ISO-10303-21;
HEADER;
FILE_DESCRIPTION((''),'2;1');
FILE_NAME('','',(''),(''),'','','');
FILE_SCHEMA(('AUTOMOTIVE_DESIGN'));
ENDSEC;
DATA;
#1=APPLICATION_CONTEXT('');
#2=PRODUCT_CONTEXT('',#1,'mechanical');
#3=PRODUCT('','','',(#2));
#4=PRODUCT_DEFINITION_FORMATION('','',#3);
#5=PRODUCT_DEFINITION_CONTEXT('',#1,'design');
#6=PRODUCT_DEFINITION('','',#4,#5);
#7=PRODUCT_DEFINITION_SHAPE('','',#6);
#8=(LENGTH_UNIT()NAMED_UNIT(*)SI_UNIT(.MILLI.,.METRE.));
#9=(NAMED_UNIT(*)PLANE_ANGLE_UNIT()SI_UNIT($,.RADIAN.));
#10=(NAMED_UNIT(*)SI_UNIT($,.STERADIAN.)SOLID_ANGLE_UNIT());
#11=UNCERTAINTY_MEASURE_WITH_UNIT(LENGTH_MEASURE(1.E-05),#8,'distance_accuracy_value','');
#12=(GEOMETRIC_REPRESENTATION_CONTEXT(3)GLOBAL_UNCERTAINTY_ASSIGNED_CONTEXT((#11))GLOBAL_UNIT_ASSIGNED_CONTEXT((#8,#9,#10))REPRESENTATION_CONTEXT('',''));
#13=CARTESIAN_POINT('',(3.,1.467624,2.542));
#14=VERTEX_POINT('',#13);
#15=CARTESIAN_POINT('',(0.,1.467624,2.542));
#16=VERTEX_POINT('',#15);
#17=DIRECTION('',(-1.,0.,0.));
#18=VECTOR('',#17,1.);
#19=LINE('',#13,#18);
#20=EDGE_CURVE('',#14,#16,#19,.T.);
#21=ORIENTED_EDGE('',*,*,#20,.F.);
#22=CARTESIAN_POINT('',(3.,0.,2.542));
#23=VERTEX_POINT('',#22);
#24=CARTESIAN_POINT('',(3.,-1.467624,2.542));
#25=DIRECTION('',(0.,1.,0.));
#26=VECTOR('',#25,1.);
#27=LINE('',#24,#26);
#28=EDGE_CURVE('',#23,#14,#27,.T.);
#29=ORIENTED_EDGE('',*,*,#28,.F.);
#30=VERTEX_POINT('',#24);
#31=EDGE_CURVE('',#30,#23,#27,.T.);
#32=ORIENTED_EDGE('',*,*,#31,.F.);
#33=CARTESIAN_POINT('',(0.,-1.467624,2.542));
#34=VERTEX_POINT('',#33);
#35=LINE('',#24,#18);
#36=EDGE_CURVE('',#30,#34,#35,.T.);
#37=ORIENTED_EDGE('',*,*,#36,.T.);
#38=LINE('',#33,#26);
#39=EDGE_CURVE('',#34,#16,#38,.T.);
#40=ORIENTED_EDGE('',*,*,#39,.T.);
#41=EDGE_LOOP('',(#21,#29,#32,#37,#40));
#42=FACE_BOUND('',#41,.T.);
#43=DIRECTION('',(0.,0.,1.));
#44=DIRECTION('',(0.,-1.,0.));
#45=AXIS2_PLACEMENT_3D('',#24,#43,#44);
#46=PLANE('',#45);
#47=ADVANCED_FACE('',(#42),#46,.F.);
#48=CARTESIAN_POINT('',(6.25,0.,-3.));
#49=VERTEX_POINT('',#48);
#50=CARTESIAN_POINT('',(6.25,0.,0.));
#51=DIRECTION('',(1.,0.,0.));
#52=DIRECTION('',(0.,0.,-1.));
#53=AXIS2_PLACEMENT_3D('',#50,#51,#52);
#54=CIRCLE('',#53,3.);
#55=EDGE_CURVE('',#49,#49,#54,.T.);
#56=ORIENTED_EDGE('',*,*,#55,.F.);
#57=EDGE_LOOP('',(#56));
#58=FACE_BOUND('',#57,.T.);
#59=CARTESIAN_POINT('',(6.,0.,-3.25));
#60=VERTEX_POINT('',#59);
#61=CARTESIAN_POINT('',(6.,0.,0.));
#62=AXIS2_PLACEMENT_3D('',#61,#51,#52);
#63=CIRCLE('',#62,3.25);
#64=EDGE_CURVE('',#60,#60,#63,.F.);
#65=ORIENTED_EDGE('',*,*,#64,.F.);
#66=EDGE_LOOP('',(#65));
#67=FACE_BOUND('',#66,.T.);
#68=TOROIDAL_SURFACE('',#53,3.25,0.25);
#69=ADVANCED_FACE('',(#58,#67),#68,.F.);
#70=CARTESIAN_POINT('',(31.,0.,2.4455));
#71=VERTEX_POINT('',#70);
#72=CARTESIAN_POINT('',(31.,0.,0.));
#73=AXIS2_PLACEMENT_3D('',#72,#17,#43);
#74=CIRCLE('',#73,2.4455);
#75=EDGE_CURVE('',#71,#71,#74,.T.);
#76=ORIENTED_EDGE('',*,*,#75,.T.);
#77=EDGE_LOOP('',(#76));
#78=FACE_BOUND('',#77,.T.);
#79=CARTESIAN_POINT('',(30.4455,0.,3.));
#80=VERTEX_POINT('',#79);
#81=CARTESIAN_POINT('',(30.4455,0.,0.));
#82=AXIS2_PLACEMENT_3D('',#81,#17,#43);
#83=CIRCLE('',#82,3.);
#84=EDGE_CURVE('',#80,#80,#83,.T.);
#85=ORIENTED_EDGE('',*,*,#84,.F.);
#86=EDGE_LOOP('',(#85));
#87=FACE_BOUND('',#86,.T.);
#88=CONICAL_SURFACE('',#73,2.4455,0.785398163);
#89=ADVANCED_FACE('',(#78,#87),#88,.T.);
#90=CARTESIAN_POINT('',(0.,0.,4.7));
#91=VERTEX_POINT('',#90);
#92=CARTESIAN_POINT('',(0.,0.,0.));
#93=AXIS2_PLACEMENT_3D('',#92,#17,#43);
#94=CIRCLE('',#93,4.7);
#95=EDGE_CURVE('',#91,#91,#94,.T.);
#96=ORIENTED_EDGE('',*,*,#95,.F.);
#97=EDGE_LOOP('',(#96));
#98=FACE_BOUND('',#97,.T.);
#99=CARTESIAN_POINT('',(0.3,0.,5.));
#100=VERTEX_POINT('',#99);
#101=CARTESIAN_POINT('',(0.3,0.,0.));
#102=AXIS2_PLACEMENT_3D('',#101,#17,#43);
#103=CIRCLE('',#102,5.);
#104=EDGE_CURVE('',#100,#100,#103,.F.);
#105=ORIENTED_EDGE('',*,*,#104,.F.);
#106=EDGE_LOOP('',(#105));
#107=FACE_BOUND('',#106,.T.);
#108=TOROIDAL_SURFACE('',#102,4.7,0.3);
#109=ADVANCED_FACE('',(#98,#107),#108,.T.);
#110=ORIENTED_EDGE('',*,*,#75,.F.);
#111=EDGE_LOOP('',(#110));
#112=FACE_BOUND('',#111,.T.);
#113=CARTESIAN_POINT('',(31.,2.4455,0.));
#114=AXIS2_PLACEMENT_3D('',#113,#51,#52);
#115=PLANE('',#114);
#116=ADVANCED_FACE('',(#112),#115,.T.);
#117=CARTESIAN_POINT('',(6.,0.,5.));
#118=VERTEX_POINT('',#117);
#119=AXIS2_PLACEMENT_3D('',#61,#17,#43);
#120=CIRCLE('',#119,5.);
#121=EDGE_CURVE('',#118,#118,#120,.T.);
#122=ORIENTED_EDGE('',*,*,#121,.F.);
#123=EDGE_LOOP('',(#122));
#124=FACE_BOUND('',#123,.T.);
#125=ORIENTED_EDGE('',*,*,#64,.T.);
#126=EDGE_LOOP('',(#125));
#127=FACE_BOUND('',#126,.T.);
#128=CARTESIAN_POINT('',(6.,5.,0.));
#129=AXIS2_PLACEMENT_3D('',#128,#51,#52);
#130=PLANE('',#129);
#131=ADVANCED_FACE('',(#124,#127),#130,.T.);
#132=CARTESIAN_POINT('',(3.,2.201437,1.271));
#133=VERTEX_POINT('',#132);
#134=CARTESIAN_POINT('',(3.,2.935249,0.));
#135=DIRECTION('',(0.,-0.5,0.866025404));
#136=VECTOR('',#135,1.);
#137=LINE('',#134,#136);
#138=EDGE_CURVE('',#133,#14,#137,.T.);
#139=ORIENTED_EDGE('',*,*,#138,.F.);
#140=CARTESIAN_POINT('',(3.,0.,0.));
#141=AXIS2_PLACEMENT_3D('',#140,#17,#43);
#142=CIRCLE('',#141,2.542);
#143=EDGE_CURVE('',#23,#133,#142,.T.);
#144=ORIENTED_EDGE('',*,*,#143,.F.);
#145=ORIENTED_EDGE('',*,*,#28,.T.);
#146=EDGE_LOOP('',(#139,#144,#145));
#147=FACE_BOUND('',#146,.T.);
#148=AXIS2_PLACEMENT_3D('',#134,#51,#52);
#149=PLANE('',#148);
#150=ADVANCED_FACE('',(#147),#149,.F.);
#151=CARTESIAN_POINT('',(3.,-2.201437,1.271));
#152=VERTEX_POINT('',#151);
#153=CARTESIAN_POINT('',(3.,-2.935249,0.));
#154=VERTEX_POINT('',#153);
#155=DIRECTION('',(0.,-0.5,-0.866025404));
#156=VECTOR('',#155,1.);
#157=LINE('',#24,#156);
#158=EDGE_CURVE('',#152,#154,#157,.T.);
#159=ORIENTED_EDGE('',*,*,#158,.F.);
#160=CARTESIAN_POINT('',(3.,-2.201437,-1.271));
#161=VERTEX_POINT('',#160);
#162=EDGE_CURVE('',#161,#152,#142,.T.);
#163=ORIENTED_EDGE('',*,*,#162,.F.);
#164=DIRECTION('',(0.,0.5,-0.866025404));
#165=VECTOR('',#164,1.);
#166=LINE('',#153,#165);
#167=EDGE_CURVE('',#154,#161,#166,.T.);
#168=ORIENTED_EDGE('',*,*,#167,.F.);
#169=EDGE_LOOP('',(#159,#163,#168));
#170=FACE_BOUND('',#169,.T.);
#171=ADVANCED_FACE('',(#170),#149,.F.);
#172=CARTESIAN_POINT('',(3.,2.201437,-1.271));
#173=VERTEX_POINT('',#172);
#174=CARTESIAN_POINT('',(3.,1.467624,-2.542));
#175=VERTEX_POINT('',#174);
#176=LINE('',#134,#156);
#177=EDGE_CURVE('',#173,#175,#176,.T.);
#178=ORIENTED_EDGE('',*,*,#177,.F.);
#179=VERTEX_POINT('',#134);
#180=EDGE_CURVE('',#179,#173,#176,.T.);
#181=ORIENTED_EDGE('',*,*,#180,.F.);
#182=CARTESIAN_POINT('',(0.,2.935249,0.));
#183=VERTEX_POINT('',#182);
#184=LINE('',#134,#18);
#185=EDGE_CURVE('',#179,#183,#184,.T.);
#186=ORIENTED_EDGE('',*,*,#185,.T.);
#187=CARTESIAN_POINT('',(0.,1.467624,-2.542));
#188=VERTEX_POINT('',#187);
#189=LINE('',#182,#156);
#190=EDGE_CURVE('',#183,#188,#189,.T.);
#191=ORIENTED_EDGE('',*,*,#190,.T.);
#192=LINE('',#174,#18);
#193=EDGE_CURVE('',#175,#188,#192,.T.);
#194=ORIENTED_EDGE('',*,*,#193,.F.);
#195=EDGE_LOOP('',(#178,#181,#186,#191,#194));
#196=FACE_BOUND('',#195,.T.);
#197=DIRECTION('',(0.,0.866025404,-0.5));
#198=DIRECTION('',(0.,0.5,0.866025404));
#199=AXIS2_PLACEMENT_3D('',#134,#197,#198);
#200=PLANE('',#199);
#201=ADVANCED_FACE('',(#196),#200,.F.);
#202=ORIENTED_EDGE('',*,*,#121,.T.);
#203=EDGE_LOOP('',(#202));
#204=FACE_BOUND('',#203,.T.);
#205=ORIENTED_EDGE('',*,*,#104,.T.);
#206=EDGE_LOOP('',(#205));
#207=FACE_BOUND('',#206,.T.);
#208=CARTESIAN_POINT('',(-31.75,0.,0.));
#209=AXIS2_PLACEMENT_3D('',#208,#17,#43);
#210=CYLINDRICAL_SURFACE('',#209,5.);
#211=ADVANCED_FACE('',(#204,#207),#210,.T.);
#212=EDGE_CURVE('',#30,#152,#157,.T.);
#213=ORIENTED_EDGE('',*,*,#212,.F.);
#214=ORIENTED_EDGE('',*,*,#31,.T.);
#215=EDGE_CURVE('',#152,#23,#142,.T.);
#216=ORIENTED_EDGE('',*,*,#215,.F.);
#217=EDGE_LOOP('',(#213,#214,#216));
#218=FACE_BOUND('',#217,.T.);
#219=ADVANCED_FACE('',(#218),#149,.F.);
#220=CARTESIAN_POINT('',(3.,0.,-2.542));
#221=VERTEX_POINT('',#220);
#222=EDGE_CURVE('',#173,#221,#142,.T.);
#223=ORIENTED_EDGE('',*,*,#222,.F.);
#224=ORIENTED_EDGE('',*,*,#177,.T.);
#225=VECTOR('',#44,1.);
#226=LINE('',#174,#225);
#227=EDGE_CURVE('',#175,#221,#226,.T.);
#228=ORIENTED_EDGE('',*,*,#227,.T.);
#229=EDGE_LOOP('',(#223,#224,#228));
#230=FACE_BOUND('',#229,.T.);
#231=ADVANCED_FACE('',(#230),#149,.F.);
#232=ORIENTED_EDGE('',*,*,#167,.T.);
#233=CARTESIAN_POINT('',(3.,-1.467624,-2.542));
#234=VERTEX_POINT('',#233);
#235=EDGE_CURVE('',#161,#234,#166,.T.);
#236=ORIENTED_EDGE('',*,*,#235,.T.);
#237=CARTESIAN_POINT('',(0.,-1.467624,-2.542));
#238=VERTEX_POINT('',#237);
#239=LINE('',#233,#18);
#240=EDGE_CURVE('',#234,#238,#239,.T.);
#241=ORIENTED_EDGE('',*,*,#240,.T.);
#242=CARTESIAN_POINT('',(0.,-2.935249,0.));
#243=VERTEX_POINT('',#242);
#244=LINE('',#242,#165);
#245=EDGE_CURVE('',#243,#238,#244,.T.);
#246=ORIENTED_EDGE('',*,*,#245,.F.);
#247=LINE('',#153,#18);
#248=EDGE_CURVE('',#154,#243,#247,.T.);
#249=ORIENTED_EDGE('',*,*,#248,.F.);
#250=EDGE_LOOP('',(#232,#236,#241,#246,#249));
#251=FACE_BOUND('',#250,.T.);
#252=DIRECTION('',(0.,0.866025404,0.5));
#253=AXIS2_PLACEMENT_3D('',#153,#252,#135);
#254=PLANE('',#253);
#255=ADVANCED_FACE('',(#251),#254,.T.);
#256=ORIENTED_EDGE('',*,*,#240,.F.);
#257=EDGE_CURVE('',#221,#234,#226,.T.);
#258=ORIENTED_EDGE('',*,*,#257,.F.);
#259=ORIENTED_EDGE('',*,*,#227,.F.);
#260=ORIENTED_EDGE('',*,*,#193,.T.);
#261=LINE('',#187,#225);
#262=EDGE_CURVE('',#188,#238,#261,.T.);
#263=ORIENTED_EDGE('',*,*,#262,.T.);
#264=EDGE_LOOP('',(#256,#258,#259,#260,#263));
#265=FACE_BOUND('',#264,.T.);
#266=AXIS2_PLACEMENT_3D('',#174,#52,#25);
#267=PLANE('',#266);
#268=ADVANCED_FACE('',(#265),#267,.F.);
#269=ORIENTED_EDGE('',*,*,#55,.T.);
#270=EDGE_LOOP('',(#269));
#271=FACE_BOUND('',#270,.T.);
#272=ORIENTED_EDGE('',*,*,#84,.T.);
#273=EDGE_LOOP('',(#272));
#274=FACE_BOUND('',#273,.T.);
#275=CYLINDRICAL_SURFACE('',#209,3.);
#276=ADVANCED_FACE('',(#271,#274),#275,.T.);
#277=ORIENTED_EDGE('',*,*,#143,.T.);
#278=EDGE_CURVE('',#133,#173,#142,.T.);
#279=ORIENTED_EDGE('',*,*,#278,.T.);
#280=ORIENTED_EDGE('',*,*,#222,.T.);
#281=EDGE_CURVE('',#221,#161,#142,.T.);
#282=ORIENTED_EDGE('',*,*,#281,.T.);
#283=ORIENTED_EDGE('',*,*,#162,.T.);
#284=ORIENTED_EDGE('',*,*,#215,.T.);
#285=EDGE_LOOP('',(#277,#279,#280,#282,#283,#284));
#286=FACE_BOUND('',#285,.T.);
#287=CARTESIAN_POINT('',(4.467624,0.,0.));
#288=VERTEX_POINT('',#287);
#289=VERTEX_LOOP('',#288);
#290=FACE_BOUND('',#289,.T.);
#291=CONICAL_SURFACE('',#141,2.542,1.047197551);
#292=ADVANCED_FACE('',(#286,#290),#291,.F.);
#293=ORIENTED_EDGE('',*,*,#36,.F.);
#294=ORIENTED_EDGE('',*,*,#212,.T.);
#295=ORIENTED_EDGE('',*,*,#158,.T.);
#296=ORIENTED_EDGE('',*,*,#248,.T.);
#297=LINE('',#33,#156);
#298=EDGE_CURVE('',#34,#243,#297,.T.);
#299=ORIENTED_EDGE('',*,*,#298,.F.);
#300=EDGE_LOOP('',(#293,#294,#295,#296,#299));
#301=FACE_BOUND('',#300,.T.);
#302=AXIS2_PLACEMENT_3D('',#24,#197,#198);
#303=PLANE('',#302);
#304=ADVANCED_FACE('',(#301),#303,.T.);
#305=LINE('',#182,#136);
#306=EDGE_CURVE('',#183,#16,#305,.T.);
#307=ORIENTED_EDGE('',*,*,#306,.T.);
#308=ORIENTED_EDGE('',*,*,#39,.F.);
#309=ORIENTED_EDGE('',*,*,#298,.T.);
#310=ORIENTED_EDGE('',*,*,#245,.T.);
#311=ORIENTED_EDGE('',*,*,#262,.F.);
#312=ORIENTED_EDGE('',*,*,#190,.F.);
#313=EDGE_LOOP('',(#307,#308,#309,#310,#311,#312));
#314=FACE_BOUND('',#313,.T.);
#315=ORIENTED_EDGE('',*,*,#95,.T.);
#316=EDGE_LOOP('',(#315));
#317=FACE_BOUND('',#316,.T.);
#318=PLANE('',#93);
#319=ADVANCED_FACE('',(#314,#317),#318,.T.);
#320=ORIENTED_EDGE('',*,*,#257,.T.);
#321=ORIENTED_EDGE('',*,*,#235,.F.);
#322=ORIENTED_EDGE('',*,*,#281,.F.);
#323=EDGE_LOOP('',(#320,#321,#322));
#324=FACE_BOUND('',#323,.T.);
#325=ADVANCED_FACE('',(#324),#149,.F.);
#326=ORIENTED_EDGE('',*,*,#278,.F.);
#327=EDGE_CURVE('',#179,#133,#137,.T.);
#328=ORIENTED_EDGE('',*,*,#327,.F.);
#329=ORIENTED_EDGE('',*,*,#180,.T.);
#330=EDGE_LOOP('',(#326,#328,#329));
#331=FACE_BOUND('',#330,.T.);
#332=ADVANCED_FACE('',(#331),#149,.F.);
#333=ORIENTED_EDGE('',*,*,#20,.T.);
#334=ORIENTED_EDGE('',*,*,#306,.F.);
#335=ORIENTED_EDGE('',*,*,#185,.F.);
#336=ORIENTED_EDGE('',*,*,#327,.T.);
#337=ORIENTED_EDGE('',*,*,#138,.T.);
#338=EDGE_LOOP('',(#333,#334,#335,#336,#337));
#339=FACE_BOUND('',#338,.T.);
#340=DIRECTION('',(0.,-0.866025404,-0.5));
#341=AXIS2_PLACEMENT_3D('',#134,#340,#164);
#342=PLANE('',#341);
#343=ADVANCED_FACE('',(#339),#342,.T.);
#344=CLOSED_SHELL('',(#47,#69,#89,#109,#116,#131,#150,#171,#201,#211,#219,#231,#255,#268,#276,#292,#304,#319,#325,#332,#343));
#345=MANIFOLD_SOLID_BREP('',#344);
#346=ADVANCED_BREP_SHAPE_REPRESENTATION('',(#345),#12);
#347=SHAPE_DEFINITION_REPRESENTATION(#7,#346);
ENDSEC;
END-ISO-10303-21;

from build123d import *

# Parameters (mm, degrees)
FILLET1_R   = 0.25
FILLET2_R   = 0.3
HEX_2_DEPTH = 3


with BuildPart() as part:
    # BodySke → Base-Revolve (revolve)
    with BuildSketch(Plane.XY, mode=Mode.PRIVATE) as base_revolve_sk:
        Polygon((0, 0), (0, 5), (6, 5), (6, 3), (30.4455, 3), (31, 2.4455), (31, 0), align=None)
    revolve(base_revolve_sk.sketch.rotate(Axis((-31.75, 0, 0), (1, 0, 0)), 90), axis=Axis((-31.75, 0, 0), (1, 0, 0)))  # turned: the seam where the file's is

    # Fillet1
    fillet1_edges = [part.edges().sort_by_distance(p)[0] for p in [
        (6, 0, -3),
    ]]
    fillet(fillet1_edges, radius=FILLET1_R)

    # Fillet2
    fillet2_edges = [part.edges().sort_by_distance(p)[0] for p in [
        (0, 0, -5),
    ]]
    fillet(fillet2_edges, radius=FILLET2_R)

    # Sketch2 → Hex-PreBroach (revolve, cut)
    with BuildSketch(Plane.XY, mode=Mode.PRIVATE) as hex_prebroach_sk:
        Polygon((0, 2.542), (3, 2.542), (4.467624384, 0), (0, 0), align=None)
    revolve(hex_prebroach_sk.sketch.rotate(Axis((0, 0, 0), (1, 0, 0)), 90), axis=Axis((0, 0, 0), (1, 0, 0)), mode=Mode.SUBTRACT)  # turned: the seam where the file's is

    # Sketch3 → Hex 2 (cut)
    with BuildSketch(Plane(origin=(0, 0, 0), x_dir=(0, 0.5, 0.866025404), z_dir=(-1, 0, 0))):
        Polygon((1.467624384, 2.542), (-1.467624384, 2.542), (-2.935248769, 0), (-1.467624384, -2.542), (1.467624384, -2.542), (2.935248769, 0), align=None)
    extrude(amount=-HEX_2_DEPTH, mode=Mode.SUBTRACT)


solid = part.part
